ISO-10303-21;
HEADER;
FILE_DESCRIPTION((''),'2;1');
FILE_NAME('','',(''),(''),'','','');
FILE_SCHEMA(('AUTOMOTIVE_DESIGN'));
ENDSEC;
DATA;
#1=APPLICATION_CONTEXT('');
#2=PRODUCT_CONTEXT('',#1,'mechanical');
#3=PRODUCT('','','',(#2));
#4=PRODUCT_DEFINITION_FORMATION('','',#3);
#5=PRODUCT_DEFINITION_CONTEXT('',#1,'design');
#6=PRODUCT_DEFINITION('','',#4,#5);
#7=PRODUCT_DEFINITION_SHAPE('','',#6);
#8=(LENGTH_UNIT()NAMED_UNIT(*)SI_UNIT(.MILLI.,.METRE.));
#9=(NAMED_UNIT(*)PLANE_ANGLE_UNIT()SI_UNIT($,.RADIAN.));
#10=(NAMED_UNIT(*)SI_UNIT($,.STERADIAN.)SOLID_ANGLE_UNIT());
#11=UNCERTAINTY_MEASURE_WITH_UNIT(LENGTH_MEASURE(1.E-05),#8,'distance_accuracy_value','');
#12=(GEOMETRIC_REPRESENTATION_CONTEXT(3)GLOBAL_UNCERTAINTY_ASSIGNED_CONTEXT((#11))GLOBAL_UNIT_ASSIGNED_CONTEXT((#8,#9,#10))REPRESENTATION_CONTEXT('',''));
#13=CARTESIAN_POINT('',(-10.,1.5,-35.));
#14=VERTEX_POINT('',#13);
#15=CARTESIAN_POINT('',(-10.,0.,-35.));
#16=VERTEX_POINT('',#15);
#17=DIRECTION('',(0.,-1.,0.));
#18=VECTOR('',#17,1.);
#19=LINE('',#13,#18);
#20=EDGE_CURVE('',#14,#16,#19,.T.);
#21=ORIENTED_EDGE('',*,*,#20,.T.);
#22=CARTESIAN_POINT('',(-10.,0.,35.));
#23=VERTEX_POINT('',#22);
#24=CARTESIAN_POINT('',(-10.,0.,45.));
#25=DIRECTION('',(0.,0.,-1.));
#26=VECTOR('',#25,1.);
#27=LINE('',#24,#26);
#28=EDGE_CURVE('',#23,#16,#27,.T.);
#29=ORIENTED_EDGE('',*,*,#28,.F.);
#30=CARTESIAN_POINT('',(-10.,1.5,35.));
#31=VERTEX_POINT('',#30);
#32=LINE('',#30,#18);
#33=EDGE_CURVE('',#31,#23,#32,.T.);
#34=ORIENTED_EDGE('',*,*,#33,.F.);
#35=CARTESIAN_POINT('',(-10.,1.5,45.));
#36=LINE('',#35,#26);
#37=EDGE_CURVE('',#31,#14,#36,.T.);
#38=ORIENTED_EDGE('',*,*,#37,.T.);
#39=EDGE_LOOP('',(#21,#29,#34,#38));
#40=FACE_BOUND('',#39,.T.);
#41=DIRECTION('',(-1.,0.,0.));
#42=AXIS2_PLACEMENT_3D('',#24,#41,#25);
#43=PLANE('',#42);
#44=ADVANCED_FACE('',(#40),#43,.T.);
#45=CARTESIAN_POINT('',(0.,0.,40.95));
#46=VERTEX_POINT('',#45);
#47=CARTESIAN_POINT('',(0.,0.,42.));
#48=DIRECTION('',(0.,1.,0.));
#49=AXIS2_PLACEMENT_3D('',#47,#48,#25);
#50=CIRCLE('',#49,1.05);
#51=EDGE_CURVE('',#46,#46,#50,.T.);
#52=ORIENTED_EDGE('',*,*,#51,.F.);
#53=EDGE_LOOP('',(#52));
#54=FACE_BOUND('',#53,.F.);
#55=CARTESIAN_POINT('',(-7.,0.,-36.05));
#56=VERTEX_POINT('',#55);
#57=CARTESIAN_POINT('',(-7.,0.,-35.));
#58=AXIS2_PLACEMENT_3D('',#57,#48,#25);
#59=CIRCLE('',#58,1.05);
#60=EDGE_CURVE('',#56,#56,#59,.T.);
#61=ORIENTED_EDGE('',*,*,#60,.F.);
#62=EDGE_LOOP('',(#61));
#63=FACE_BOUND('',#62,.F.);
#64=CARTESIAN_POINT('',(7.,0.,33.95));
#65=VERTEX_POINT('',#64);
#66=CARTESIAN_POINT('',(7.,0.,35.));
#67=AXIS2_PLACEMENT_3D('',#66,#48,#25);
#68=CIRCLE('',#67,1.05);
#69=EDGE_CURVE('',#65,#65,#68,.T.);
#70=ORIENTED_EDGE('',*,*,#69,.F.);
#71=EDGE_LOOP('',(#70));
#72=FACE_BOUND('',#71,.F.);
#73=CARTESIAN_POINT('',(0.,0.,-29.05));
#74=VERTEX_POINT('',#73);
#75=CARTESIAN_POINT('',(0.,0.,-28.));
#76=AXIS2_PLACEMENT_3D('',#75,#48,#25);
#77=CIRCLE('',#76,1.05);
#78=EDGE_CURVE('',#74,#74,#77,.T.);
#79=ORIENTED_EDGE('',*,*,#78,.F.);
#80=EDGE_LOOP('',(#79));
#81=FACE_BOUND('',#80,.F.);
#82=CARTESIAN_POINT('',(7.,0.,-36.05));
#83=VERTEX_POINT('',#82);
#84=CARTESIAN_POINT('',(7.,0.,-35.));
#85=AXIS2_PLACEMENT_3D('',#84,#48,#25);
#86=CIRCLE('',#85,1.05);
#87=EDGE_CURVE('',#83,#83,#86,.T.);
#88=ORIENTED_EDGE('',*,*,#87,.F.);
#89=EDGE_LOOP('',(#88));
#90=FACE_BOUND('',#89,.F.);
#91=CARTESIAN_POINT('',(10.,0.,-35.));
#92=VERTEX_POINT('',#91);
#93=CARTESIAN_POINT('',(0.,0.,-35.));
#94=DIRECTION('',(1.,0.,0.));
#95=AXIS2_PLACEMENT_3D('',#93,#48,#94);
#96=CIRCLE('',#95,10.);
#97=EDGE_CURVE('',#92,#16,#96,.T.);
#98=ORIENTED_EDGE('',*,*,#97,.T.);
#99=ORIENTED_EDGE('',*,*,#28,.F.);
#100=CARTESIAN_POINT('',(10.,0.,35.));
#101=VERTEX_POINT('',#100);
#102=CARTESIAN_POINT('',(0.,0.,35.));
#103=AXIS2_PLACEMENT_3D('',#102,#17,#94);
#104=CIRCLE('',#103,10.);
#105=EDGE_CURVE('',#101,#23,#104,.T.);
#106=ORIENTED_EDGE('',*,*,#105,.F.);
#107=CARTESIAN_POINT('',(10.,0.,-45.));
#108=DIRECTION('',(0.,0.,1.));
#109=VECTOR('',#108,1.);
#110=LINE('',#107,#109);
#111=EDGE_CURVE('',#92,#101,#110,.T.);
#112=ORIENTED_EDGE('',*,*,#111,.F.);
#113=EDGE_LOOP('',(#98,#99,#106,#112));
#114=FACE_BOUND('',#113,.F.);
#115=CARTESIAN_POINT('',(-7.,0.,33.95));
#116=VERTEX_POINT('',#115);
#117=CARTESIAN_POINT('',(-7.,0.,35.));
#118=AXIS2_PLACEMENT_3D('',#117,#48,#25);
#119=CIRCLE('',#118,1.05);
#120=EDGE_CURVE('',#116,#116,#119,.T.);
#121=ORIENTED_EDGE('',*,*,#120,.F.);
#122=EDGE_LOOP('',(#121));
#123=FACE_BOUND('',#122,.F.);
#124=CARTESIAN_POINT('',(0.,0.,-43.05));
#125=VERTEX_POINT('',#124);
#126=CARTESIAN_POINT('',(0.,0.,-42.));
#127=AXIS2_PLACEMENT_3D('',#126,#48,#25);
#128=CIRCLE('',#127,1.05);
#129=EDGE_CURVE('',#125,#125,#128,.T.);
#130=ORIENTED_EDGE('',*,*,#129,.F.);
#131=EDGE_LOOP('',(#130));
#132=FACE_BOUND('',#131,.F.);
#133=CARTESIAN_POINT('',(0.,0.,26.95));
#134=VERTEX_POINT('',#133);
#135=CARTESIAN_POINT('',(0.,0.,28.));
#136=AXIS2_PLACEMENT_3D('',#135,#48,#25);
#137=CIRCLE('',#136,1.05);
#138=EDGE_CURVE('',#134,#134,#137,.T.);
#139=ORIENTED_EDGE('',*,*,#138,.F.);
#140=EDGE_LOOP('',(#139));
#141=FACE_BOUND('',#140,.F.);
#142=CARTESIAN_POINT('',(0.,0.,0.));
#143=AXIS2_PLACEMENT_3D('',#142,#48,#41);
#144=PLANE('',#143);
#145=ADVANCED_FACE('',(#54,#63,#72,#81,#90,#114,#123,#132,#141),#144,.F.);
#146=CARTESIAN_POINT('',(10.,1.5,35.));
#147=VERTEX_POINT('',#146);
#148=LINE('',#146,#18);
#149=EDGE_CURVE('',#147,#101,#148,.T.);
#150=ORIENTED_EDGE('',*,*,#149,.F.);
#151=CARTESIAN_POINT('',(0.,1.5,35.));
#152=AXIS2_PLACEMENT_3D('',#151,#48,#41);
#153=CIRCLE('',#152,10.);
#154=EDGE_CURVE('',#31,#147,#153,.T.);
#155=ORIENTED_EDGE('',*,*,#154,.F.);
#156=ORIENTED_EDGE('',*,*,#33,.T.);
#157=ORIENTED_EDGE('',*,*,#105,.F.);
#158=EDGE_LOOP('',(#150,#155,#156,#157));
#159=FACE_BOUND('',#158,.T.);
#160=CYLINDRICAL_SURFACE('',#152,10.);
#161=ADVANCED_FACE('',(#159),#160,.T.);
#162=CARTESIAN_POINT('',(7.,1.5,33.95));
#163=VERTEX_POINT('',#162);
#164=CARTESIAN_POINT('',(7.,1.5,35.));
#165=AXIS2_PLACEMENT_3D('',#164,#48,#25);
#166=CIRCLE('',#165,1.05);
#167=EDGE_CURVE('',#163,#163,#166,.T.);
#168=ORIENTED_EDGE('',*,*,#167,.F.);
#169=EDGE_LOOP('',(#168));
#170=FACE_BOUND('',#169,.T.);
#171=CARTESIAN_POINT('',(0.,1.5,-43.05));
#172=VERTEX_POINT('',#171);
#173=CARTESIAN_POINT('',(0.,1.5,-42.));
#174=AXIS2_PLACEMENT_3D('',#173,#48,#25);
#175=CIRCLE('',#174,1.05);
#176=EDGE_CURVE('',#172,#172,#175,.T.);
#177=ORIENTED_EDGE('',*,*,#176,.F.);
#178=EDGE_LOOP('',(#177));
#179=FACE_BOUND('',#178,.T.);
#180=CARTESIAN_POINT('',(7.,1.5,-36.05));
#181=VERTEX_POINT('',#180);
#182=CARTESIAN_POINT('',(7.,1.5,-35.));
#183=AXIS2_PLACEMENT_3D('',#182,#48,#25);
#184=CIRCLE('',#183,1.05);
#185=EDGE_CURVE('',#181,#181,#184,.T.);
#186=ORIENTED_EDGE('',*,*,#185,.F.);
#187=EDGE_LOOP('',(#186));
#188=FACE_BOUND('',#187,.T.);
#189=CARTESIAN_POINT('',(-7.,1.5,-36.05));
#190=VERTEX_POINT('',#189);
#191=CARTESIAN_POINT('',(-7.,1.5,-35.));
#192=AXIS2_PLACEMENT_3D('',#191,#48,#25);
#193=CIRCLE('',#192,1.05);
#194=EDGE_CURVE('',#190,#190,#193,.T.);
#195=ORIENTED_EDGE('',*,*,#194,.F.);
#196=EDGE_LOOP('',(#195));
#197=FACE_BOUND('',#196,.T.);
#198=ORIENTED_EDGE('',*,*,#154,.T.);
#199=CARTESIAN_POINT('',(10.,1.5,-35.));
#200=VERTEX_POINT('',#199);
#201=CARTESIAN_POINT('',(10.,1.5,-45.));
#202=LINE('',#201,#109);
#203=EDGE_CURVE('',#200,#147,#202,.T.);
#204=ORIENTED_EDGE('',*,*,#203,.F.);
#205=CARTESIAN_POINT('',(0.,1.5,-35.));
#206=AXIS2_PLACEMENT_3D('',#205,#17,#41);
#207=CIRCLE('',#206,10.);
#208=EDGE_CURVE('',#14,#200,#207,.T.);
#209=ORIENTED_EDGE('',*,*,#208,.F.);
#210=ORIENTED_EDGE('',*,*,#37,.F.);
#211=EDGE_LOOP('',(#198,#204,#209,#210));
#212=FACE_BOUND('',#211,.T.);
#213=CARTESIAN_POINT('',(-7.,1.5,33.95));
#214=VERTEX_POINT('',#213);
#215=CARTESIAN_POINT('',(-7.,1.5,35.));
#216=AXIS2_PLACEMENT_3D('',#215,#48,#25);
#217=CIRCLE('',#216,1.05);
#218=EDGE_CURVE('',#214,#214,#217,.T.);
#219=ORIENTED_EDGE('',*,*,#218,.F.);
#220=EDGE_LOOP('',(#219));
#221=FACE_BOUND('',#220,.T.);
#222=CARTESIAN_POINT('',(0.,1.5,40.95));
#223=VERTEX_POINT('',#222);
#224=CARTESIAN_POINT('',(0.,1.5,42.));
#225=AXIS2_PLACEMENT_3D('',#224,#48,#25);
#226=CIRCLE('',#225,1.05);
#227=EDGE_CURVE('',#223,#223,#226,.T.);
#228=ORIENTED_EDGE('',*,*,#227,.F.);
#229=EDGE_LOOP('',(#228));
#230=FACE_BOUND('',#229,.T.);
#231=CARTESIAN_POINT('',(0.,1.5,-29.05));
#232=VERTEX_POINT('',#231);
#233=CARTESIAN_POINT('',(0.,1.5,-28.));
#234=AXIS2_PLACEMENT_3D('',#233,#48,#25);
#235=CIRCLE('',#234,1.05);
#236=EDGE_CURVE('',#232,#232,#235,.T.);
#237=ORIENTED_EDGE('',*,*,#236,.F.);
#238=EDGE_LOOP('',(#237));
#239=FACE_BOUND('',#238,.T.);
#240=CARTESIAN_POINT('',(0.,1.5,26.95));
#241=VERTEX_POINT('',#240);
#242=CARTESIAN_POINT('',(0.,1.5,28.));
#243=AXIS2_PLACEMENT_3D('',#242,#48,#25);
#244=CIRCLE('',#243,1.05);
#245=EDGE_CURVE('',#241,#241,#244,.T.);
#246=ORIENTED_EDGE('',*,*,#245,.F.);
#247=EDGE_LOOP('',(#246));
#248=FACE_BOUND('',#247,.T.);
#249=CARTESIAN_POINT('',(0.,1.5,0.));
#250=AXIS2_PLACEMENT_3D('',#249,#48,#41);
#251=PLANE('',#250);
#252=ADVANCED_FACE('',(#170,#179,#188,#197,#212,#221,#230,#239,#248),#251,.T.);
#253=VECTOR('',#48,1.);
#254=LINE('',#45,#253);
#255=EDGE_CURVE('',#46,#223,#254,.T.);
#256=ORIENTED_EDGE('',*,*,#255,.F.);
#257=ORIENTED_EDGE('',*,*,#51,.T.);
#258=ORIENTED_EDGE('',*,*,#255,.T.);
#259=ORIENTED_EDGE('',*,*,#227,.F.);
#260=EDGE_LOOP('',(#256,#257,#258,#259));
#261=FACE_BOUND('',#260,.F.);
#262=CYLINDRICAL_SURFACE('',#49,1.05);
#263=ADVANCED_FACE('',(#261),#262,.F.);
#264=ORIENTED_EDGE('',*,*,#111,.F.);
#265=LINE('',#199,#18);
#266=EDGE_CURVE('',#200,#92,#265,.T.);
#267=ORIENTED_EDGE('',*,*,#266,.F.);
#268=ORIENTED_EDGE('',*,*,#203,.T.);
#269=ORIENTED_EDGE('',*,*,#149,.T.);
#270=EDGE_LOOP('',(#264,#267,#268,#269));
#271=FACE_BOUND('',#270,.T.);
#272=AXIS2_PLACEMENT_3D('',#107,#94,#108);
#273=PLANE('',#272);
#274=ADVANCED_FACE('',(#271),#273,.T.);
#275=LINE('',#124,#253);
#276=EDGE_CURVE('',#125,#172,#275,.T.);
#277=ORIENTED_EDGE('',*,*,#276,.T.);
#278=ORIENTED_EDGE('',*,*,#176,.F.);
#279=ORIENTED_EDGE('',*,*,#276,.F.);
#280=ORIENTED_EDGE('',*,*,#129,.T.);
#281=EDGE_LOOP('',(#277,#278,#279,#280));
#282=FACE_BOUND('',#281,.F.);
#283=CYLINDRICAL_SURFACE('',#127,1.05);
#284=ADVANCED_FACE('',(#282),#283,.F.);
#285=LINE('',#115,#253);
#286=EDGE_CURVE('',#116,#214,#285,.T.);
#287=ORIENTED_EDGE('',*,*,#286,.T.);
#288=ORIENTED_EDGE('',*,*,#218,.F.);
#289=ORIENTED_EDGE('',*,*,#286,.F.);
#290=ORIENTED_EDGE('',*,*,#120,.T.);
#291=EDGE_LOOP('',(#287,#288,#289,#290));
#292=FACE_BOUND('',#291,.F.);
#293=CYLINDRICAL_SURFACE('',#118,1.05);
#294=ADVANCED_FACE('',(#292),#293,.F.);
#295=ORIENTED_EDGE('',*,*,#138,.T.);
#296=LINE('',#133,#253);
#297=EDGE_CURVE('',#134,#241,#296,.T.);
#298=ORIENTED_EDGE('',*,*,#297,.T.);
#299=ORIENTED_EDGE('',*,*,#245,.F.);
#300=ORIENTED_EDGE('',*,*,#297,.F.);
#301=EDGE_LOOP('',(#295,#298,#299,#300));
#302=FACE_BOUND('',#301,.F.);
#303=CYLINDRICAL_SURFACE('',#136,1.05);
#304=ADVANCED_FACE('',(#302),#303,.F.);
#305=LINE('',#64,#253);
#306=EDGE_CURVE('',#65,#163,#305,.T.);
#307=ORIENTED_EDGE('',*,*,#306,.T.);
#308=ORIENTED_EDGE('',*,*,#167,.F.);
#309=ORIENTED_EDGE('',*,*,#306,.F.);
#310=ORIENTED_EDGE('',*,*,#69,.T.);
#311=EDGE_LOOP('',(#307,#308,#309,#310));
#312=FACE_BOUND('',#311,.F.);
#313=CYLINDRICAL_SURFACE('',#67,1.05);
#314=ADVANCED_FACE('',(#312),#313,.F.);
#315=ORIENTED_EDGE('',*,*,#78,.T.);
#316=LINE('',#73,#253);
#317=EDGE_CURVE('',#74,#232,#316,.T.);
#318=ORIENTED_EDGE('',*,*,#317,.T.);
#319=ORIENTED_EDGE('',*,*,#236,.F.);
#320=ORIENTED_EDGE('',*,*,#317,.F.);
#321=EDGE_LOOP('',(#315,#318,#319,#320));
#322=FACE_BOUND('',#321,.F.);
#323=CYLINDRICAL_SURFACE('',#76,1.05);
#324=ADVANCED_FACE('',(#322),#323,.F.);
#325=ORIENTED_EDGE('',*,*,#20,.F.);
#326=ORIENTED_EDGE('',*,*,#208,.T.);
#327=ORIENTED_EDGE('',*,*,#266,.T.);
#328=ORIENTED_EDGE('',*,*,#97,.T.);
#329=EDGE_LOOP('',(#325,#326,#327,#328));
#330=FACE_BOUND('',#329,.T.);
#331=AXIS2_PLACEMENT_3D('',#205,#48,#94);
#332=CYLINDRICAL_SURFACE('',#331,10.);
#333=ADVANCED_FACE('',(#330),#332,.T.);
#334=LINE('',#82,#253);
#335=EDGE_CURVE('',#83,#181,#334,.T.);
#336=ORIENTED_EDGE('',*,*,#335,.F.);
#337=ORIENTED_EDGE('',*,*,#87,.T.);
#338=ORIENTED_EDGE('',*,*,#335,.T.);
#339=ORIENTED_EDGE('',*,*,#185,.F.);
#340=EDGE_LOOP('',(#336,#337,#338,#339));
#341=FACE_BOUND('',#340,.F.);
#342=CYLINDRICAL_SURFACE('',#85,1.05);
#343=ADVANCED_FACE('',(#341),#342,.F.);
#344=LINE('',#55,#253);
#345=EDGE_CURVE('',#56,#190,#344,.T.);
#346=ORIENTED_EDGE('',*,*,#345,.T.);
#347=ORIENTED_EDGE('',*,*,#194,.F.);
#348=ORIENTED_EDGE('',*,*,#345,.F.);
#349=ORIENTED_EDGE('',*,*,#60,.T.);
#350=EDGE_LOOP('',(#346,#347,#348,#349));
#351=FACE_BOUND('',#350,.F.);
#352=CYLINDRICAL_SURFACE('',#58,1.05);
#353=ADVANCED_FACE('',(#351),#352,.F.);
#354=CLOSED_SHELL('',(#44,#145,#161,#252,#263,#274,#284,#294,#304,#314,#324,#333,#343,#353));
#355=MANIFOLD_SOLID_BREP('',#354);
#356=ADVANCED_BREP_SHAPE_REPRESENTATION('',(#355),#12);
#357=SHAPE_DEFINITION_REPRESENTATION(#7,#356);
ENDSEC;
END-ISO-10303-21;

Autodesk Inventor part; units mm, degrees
ref_plane "YZ Plane" through (0, 0, 0) normal (1, 0, 0) x (0, 1, 0)
ref_plane "XZ Plane" through (0, 0, 0) normal (0, 1, 0) x (-1, 0, 0)
ref_plane "XY Plane" through (0, 0, 0) normal (0, 0, 1) x (1, 0, 0)
sketch "Sketch1" plane through (0, 0, 0) normal (0, 1, 0) x (-1, 0, 0)
  line L0 (10, -45) -> (-10, -45)
  line L1 (-10, -45) -> (-10, 45)
  line L2 (-10, 45) -> (10, 45)
  line L3 (10, 45) -> (10, -45)
  point P0 (0, 0)
  dimension "d0" = 20
  dimension "d1" = 90
  dimension "d2" = 45
  dimension "d3" = 10
extrude "Plate1" add sketch "Sketch1" along normal blind 1.5
sketch "Sketch2" plane through (0, 0, 0) normal (0, -1, 0) x (1, 0, 0)
  circle A0 centre (0, 42) radius 0.7835 projected
  circle A1 centre (-7, 35) radius 0.7835 projected
  circle A2 centre (0, 28) radius 0.7835 projected
  circle A3 centre (7, 35) radius 0.7835 projected
  circle A4 centre (0, -28) radius 0.7835 projected
  circle A5 centre (-7, -35) radius 0.7835 projected
  circle A6 centre (0, -42) radius 0.7835 projected
  circle A7 centre (7, -35) radius 0.7835 projected
  point P0 (0, 0)
hole "Hole1" at (0, 0, 42) at (-7, 0, 35) at (0, 0, 28) at (7, 0, 35) at (0, 0, -28) at (-7, 0, -35) at (0, 0, -42) at (7, 0, -35) direction (0, 1, 0) diameter 2.1 depth 1.5
sketch "Sketch3" plane through (0, 1.5, 0) normal (0, 1, 0) x (1, 0, 0)
  arc A0 (10, 35) -> (-10, 35) centre (0, 35) ccw
  arc A1 (-10, -35) -> (10, -35) centre (0, -35) ccw
  line L0 (-10, 35) -> (-10, -35)
  line L1 (10, 35) -> (10, -35)
  line L2 (10, 45) -> (10, -45) projected
  line L3 (-10, 45) -> (10, 45)
  line L4 (10, 45) -> (10, -45)
  line L5 (10, -45) -> (-10, -45)
  line L6 (-10, -45) -> (-10, 45)
  point P0 (0, 0)
  point P1 (0, 45)
  point P2 (10, 35)
  point P3 (-10, -35)
  point P4 (0, -45)
  point P5 (10, -35)
  dimension "d12" = 35
  dimension "d13" = 35
  dimension "d14" = 10
  dimension "d15" = 10
  dimension "d16" = 10
  dimension "d17" = 20
  dimension "d18" = 90
extrude "Extrusion1" cut sketch "Sketch3" against normal blind 10 contours A0 L3 L2 | A0 L6 L3 | L2 L5 A1 | L5 L6 A1
equation "\"d10\" = Thickness"
equation "\"d4\" = Thickness"
equation "\"BendReliefWidth\" = Thickness"
equation "\"BendReliefDepth\" = 0.5 * Thickness"
equation "\"CornerReliefSize\" = 4 * Thickness"
equation "\"MinimumRemnant\" = 2 * Thickness"
equation "\"TransitionRadius\" = BendRadius"
equation "\"JacobiRadiusSize\" = BendRadius"
equation "\"GapSize\" = Thickness"
equation "\"Thickness\" = 1.5"
equation "\"BendRadius\" = 0.31"
properties part number "axis_10_11-connector_frame" material "Aluminum 6061-AHC"
